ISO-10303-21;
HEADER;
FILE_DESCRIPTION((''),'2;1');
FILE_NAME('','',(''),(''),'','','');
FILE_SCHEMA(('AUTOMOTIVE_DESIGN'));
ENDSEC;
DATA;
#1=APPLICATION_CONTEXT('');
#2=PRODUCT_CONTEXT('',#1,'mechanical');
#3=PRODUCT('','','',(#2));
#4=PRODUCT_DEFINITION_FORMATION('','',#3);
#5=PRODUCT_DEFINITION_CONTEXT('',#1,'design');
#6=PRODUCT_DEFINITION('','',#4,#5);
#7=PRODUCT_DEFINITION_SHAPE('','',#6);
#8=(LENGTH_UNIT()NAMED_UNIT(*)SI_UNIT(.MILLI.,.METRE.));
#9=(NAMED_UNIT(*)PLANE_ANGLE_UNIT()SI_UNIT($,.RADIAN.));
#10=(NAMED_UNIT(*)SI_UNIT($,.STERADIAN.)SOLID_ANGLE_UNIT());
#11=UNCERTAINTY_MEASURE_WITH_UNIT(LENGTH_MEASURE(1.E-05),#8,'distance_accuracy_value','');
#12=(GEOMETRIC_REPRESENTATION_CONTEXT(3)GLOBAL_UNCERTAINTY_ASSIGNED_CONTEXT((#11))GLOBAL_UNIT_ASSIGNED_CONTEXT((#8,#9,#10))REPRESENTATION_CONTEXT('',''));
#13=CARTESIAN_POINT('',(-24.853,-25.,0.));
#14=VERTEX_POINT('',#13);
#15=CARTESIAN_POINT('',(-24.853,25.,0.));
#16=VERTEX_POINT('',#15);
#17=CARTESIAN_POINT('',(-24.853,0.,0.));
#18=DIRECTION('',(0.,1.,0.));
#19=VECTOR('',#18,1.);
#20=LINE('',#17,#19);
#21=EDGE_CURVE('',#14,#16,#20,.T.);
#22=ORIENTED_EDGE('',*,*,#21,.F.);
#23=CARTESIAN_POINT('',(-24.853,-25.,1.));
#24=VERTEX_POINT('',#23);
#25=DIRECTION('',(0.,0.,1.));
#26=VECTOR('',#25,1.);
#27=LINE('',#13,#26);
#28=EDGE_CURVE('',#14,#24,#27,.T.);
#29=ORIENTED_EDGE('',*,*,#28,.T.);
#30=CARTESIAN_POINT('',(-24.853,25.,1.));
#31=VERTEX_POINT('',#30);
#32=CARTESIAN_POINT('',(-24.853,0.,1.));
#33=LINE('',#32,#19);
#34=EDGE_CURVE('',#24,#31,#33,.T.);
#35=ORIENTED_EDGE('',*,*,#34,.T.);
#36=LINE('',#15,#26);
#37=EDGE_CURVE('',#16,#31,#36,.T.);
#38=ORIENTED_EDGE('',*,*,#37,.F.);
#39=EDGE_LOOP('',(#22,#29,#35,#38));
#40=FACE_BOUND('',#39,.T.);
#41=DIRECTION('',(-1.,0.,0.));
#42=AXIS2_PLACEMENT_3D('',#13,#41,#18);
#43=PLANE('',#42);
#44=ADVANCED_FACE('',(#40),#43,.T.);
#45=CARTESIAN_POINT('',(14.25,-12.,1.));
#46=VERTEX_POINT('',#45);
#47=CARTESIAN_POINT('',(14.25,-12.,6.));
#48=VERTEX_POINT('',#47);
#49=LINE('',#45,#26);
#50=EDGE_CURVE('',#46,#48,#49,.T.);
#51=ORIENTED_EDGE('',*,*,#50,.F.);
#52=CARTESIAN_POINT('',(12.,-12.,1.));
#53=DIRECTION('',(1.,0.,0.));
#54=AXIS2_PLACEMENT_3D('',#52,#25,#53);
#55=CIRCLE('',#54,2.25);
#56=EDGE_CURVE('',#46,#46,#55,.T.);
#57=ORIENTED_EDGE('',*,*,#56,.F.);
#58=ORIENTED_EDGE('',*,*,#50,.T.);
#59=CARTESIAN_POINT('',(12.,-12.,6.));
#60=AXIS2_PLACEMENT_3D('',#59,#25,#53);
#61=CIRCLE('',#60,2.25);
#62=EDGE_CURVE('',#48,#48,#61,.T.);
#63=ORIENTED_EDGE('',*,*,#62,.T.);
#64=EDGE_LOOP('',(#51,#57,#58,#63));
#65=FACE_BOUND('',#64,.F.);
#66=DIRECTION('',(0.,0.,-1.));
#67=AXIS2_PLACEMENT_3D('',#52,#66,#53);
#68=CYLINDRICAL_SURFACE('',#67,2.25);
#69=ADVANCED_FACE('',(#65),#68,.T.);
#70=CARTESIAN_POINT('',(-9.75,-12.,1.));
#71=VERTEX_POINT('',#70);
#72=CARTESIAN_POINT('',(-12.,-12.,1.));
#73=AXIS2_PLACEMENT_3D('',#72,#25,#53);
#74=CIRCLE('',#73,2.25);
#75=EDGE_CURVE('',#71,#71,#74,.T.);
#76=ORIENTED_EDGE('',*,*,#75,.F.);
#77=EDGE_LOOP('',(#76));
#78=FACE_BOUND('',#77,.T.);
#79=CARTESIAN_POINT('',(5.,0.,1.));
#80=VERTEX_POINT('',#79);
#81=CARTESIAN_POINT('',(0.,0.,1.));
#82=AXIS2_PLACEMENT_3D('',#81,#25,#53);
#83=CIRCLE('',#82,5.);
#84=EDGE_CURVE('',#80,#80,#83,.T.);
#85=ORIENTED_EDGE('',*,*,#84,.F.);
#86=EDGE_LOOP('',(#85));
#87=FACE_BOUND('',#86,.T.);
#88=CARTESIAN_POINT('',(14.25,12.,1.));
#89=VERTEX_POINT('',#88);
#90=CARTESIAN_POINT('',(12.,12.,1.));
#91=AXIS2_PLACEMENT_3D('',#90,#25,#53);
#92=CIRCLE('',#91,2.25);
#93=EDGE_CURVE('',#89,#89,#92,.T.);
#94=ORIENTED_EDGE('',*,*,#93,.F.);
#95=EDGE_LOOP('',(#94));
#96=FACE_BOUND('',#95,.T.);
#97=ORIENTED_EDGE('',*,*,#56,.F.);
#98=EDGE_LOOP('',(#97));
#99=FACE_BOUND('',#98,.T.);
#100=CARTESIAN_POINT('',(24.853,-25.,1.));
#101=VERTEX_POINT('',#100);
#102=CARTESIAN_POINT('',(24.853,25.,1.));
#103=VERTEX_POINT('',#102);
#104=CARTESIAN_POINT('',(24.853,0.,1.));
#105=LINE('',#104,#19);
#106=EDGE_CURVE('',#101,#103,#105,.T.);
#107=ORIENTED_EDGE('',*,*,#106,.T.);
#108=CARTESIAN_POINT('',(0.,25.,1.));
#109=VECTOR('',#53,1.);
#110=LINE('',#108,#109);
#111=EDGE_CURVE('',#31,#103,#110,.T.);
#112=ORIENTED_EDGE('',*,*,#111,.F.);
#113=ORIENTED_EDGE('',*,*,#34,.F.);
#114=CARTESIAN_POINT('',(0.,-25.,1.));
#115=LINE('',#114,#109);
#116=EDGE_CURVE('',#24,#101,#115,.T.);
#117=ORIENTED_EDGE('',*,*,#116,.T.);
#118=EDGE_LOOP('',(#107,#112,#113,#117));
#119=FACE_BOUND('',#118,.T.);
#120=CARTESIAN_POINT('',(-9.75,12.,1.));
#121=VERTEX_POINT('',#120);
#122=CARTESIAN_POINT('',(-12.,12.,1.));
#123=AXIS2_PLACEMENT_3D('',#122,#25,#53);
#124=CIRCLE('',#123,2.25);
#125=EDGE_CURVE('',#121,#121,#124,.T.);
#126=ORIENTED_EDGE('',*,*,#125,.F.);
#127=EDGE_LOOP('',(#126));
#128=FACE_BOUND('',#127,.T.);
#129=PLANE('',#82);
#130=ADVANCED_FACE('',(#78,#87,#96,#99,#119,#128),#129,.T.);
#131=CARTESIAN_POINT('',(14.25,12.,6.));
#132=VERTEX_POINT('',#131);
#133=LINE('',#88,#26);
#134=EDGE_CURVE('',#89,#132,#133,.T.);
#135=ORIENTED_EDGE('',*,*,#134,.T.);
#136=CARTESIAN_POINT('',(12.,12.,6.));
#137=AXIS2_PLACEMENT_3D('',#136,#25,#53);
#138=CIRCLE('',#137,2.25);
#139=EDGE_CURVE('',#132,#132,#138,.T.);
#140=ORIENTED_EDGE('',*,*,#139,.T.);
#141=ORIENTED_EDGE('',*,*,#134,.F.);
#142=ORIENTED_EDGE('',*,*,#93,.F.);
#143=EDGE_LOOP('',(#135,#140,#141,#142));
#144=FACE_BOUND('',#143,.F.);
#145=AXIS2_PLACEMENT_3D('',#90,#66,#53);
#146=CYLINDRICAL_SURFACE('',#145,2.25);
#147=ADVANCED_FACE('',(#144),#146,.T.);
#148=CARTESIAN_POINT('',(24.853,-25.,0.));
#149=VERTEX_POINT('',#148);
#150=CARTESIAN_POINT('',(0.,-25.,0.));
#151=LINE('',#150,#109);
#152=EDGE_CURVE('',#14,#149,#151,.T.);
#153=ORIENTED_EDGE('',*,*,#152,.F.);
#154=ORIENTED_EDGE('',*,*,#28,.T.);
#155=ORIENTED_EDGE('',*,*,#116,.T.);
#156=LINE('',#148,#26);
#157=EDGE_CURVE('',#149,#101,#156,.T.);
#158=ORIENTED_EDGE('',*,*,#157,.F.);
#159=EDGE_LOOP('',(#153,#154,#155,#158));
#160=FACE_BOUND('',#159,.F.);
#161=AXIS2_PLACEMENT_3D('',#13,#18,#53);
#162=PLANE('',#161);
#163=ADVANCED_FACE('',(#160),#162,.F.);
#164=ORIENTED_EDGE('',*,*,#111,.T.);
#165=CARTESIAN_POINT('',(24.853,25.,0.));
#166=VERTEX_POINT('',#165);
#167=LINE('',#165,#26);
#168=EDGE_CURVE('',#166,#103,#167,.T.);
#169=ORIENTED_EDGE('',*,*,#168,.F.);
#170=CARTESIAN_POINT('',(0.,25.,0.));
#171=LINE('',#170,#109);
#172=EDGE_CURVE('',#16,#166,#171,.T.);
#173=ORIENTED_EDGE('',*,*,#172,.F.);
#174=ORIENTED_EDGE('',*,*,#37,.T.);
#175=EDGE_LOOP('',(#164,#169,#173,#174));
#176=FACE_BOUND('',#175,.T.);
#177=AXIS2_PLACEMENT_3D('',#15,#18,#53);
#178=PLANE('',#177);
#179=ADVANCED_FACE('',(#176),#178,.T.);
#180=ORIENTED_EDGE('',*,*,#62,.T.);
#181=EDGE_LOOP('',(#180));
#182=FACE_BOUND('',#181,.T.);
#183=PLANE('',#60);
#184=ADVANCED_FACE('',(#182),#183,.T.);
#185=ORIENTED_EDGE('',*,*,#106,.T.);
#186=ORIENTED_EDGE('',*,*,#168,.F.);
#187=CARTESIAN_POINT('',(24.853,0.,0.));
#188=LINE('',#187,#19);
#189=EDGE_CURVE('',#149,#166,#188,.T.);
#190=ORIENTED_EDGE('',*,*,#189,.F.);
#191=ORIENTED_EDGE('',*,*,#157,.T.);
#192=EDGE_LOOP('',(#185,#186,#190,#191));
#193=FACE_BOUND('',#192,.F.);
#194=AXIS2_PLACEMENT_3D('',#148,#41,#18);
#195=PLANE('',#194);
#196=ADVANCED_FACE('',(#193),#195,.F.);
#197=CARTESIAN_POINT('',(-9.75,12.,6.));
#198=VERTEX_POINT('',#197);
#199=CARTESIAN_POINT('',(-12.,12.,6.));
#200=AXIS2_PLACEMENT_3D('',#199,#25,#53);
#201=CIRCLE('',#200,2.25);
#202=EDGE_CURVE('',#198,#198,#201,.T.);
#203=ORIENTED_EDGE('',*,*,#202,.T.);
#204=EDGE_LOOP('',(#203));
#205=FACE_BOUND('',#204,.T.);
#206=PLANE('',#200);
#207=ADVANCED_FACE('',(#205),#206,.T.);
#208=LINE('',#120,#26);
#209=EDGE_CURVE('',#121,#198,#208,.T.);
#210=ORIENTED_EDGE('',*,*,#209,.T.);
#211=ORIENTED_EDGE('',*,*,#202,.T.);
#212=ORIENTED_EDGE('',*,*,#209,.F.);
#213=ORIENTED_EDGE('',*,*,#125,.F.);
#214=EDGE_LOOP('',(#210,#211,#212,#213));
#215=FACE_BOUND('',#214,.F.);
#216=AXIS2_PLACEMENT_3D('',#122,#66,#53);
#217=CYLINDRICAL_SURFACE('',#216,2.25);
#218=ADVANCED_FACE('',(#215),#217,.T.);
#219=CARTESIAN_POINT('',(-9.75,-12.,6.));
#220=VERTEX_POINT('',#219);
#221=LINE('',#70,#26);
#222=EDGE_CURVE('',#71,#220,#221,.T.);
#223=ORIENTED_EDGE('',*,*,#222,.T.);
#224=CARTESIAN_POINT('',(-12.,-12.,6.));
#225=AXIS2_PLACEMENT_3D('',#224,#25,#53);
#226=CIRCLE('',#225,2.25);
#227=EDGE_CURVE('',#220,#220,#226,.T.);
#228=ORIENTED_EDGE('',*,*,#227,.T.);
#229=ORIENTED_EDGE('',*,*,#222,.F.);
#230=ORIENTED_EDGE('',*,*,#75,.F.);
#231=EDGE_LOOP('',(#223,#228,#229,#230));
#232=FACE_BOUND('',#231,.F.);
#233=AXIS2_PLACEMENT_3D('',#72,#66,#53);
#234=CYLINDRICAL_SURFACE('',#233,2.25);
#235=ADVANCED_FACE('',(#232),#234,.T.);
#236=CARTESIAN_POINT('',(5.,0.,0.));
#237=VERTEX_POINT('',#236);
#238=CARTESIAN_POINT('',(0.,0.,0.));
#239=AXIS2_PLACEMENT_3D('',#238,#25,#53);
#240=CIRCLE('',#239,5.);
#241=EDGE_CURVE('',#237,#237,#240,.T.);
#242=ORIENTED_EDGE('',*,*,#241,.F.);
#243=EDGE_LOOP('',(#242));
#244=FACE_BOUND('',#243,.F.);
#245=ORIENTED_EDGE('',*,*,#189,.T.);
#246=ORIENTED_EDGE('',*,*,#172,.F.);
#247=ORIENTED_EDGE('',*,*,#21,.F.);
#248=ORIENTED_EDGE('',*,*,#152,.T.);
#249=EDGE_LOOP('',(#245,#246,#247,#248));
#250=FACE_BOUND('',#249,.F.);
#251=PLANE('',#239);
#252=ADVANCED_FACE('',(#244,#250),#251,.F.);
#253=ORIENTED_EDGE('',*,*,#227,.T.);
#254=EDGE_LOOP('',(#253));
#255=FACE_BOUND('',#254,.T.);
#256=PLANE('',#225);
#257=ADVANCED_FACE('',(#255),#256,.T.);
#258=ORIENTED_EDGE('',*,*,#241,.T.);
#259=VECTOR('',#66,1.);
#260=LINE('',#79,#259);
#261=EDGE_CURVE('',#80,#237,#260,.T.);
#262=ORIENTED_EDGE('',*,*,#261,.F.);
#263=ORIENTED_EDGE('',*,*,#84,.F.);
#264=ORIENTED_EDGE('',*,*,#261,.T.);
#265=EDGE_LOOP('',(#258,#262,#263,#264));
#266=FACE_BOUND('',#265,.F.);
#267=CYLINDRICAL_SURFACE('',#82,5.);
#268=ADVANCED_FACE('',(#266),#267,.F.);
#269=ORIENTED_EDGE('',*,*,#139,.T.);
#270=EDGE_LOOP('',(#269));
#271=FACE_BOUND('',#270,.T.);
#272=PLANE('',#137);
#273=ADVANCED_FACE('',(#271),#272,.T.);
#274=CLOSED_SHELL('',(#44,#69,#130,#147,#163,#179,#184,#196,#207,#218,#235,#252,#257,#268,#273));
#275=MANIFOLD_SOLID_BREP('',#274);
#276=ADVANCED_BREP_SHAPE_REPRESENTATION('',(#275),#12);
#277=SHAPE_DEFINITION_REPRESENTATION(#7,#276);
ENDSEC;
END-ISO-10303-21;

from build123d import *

# Parameters (mm, degrees)
F0_W     = 49.706
F0_H     = 50
F1_DEPTH = 1
F2_R     = 2.25
F3_DEPTH = 5
F4_R     = 5
F5_DEPTH = 25


with BuildPart() as f1:
    # F0 (on Top) → F1 (new body)
    with BuildSketch(Plane.XY):
        Rectangle(F0_W, F0_H)
    extrude(amount=F1_DEPTH)

    # F2 (on face) → F3 (join)
    with BuildSketch(Plane.XY.offset(1)):
        with Locations((-12, 12)):
            Circle(F2_R)
        with Locations((12, 12)):
            Circle(F2_R)
        with Locations((-12, -12)):
            Circle(F2_R)
        with Locations((12, -12)):
            Circle(F2_R)
    extrude(amount=F3_DEPTH)

    # F4 (on face) → F5 (cut)
    with BuildSketch(Plane.XY.offset(1)):
        Circle(F4_R)
    extrude(amount=-F5_DEPTH, mode=Mode.SUBTRACT)


solid = f1.part
